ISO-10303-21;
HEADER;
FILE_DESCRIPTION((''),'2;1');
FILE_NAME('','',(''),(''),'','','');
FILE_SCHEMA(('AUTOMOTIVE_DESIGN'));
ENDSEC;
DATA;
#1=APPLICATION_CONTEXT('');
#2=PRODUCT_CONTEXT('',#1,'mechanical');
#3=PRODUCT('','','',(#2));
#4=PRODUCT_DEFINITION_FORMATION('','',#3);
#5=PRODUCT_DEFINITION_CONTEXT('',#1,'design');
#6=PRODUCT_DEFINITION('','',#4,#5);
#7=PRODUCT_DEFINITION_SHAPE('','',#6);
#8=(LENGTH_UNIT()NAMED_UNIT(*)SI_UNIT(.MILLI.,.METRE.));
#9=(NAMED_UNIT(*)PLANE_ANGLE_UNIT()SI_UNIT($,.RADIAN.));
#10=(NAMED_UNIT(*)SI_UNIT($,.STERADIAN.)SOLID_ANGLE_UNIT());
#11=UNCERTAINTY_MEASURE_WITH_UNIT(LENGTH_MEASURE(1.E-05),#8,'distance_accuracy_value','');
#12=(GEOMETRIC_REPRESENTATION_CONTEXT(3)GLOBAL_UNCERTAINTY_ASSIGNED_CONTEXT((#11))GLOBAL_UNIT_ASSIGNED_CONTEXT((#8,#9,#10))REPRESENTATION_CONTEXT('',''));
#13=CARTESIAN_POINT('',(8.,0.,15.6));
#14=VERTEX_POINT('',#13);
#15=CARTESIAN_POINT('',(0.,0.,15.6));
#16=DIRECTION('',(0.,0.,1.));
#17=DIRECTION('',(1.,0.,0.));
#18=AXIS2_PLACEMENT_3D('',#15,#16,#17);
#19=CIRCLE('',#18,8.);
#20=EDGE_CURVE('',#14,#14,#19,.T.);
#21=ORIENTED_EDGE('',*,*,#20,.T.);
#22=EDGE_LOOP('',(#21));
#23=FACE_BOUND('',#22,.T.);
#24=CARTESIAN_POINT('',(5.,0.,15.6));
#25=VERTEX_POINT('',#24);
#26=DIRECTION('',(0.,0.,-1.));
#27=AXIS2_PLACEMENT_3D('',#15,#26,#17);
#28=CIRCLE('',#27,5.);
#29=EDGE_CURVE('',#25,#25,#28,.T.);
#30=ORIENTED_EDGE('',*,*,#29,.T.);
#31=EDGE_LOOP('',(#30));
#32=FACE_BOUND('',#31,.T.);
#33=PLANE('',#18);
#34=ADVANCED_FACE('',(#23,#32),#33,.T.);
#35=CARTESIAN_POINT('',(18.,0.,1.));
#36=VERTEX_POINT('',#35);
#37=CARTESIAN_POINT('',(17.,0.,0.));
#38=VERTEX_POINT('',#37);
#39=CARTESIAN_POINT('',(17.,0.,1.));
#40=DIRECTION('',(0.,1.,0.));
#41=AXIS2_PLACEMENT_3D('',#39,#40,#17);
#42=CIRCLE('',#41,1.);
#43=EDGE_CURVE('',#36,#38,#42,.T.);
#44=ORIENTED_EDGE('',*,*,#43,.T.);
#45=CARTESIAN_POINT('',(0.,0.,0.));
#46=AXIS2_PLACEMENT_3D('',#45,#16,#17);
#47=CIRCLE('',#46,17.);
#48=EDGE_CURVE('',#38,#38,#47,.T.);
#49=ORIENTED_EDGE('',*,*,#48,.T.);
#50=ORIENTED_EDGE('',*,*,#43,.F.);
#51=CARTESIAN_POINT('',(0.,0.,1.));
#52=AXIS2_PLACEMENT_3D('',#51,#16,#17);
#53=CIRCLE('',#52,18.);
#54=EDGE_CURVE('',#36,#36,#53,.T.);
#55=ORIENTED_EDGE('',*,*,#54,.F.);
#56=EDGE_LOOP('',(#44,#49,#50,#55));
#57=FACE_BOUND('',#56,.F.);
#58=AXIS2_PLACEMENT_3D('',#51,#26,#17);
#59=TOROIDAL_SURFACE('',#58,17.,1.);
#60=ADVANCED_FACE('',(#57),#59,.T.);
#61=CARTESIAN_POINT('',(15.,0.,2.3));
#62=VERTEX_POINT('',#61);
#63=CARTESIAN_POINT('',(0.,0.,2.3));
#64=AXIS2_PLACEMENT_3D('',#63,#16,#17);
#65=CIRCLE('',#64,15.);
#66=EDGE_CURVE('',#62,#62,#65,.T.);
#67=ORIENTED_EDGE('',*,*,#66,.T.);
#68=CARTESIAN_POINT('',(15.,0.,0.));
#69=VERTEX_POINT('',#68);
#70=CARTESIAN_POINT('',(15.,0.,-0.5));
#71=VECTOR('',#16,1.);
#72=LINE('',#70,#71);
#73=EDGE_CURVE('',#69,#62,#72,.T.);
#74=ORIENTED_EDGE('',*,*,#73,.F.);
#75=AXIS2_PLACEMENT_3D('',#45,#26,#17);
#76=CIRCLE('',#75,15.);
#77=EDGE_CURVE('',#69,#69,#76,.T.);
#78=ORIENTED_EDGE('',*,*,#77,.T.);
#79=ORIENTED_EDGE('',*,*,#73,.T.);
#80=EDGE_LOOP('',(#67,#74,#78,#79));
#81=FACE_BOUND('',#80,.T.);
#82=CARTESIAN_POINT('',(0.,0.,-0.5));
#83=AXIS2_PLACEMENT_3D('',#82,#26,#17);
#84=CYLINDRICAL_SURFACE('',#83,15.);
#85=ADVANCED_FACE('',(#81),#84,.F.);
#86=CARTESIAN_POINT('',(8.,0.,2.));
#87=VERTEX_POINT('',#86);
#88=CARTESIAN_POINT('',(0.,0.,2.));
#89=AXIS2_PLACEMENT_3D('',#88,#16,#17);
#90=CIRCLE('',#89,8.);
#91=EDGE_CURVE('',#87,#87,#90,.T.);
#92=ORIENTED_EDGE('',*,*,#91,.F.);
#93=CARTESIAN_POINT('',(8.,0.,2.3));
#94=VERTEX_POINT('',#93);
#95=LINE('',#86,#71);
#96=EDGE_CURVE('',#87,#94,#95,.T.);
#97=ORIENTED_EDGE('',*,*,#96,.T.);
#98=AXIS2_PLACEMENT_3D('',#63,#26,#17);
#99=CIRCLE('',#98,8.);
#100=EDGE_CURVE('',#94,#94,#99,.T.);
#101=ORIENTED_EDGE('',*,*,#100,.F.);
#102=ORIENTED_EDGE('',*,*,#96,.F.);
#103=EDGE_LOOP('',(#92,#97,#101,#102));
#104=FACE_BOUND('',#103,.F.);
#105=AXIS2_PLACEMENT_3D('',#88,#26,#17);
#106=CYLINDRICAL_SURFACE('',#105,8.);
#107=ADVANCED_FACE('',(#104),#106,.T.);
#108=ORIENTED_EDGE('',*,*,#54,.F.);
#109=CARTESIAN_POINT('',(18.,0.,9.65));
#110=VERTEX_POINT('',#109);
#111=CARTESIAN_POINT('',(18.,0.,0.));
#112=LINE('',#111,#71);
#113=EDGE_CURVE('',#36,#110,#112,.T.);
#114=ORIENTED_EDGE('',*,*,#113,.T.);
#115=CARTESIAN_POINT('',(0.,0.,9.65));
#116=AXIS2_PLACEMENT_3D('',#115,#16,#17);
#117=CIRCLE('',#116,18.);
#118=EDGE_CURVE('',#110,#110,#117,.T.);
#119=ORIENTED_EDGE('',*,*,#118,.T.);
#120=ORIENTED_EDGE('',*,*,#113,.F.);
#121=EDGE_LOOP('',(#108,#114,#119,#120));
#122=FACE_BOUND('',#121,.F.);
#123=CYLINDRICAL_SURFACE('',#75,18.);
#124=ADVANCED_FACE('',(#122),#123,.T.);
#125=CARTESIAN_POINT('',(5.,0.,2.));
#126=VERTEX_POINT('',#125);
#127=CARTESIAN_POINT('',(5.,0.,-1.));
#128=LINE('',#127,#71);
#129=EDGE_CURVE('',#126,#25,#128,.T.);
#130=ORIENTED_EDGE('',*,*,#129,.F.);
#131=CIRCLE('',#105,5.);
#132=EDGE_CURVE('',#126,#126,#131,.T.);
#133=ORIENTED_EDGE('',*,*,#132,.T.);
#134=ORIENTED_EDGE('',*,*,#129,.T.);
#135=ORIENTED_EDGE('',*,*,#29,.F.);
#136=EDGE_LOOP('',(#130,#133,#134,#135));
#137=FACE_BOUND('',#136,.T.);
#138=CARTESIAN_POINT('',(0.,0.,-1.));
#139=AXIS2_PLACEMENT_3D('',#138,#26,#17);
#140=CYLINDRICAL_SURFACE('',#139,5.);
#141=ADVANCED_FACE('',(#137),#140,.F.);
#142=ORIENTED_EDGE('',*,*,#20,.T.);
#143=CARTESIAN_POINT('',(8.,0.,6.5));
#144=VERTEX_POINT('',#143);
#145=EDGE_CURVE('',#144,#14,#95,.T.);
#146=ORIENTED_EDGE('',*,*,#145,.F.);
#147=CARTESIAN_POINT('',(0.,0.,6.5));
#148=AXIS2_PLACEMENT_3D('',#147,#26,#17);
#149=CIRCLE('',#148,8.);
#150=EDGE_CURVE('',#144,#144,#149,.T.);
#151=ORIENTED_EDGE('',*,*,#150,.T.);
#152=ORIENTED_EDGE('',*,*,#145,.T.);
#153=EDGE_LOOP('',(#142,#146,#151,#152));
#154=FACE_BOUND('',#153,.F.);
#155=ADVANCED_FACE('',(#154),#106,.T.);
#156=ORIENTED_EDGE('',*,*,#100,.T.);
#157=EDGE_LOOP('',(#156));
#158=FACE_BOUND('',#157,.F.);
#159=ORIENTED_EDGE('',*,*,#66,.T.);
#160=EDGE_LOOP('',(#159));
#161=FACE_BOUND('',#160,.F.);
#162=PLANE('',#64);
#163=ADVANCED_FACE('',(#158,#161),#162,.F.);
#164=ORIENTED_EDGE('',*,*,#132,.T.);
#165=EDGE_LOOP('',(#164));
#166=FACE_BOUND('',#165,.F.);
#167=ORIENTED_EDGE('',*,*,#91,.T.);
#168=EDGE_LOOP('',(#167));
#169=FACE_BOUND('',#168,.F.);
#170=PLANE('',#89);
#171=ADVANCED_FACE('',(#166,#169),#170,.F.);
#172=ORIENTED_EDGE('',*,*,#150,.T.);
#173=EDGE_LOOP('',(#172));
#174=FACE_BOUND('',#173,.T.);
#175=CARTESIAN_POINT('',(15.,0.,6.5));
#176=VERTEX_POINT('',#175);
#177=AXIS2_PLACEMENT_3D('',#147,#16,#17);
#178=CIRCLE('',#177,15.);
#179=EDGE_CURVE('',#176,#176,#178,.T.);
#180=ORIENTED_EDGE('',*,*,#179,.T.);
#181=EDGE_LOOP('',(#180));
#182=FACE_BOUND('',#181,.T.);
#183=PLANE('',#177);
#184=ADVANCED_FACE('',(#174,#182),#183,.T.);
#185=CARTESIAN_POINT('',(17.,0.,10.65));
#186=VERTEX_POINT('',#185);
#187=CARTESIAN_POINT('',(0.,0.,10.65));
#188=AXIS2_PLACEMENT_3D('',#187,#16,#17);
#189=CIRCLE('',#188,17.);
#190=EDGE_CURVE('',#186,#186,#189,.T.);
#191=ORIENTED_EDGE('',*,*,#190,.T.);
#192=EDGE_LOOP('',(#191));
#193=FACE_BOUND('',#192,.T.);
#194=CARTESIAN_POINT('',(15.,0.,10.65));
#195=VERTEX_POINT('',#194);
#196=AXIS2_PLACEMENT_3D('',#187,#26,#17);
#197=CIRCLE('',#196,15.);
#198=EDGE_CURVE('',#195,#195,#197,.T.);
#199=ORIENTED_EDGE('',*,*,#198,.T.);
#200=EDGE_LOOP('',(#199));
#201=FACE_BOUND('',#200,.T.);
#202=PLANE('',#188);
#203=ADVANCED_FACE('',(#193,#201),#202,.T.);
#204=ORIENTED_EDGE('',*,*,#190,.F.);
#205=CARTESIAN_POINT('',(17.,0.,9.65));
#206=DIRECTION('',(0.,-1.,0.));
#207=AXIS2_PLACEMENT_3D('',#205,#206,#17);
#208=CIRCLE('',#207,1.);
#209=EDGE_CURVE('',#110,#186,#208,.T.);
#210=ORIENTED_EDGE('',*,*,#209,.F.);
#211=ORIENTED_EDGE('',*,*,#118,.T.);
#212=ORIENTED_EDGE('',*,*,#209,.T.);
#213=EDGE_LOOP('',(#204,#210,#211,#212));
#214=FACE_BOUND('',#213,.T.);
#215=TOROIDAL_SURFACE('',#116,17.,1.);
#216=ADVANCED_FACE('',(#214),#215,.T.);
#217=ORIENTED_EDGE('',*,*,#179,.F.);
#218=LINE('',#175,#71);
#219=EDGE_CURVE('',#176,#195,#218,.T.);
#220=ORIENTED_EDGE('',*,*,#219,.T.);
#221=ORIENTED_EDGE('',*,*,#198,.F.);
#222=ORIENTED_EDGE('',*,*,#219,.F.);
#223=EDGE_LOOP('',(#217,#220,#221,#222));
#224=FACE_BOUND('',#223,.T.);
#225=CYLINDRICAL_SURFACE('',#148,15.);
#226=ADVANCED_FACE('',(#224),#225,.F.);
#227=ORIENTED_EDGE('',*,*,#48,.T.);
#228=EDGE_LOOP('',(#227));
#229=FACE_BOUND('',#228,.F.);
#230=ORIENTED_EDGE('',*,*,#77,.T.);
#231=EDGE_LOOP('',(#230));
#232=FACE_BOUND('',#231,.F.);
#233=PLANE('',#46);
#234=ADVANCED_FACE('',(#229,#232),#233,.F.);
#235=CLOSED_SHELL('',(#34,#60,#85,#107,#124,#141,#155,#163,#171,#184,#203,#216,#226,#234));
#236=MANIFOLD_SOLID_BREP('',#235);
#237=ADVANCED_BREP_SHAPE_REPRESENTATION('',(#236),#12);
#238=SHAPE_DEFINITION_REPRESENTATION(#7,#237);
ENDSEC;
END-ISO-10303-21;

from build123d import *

# Parameters (mm, degrees)
CYLINDER004_R     = 5
CYLINDER004_DEPTH = 25.6
CYLINDER002_R     = 15
CYLINDER002_DEPTH = 2.8
CYLINDER001_R     = 15
CYLINDER001_DEPTH = 4.5
CYLINDER_R        = 18
CYLINDER_DEPTH    = 10.65
CYLINDER003_R     = 8
CYLINDER003_DEPTH = 13.6
FILLET_R          = 1
FILLET001_R       = 1


with BuildPart() as cylinder004:
    # Cylinder004 → Cylinder004 (new body)
    with BuildSketch(Plane.XY.offset(-1)):
        Circle(CYLINDER004_R)
    extrude(amount=CYLINDER004_DEPTH)


with BuildPart() as cylinder002:
    # Cylinder002 → Cylinder002 (new body)
    with BuildSketch(Plane.XY.offset(-0.5)):
        Circle(CYLINDER002_R)
    extrude(amount=CYLINDER002_DEPTH)


with BuildPart() as cylinder001:
    # Cylinder001 → Cylinder001 (new body)
    with BuildSketch(Plane.XY.offset(6.5)):
        Circle(CYLINDER001_R)
    extrude(amount=CYLINDER001_DEPTH)


with BuildPart() as cut001:
    # Cylinder → Cylinder (new body)
    with BuildSketch(Plane.XY):
        Circle(CYLINDER_R)
    extrude(amount=CYLINDER_DEPTH)

    # Cut: cut Cylinder001
    add(cylinder001.part, mode=Mode.SUBTRACT)

    # Cut001: cut Cylinder002
    add(cylinder002.part, mode=Mode.SUBTRACT)


with BuildPart() as body:
    # Cylinder003 → Cylinder003 (new body)
    with BuildSketch(Plane.XY.offset(2)):
        Circle(CYLINDER003_R)
    extrude(amount=CYLINDER003_DEPTH)

    # Fusion: union Cut001
    add(cut001.part)

    # Cut002: cut Cylinder004
    add(cylinder004.part, mode=Mode.SUBTRACT)

    # Fillet
    fillet_edges = [body.edges().sort_by_distance(p)[0] for p in [
        (-18, 0, 10.65),
    ]]
    fillet(fillet_edges, radius=FILLET_R)

    # Fillet001
    fillet001_edges = [body.edges().sort_by_distance(p)[0] for p in [
        (-18, 0, 0),
    ]]
    fillet(fillet001_edges, radius=FILLET001_R)


solid = body.part
